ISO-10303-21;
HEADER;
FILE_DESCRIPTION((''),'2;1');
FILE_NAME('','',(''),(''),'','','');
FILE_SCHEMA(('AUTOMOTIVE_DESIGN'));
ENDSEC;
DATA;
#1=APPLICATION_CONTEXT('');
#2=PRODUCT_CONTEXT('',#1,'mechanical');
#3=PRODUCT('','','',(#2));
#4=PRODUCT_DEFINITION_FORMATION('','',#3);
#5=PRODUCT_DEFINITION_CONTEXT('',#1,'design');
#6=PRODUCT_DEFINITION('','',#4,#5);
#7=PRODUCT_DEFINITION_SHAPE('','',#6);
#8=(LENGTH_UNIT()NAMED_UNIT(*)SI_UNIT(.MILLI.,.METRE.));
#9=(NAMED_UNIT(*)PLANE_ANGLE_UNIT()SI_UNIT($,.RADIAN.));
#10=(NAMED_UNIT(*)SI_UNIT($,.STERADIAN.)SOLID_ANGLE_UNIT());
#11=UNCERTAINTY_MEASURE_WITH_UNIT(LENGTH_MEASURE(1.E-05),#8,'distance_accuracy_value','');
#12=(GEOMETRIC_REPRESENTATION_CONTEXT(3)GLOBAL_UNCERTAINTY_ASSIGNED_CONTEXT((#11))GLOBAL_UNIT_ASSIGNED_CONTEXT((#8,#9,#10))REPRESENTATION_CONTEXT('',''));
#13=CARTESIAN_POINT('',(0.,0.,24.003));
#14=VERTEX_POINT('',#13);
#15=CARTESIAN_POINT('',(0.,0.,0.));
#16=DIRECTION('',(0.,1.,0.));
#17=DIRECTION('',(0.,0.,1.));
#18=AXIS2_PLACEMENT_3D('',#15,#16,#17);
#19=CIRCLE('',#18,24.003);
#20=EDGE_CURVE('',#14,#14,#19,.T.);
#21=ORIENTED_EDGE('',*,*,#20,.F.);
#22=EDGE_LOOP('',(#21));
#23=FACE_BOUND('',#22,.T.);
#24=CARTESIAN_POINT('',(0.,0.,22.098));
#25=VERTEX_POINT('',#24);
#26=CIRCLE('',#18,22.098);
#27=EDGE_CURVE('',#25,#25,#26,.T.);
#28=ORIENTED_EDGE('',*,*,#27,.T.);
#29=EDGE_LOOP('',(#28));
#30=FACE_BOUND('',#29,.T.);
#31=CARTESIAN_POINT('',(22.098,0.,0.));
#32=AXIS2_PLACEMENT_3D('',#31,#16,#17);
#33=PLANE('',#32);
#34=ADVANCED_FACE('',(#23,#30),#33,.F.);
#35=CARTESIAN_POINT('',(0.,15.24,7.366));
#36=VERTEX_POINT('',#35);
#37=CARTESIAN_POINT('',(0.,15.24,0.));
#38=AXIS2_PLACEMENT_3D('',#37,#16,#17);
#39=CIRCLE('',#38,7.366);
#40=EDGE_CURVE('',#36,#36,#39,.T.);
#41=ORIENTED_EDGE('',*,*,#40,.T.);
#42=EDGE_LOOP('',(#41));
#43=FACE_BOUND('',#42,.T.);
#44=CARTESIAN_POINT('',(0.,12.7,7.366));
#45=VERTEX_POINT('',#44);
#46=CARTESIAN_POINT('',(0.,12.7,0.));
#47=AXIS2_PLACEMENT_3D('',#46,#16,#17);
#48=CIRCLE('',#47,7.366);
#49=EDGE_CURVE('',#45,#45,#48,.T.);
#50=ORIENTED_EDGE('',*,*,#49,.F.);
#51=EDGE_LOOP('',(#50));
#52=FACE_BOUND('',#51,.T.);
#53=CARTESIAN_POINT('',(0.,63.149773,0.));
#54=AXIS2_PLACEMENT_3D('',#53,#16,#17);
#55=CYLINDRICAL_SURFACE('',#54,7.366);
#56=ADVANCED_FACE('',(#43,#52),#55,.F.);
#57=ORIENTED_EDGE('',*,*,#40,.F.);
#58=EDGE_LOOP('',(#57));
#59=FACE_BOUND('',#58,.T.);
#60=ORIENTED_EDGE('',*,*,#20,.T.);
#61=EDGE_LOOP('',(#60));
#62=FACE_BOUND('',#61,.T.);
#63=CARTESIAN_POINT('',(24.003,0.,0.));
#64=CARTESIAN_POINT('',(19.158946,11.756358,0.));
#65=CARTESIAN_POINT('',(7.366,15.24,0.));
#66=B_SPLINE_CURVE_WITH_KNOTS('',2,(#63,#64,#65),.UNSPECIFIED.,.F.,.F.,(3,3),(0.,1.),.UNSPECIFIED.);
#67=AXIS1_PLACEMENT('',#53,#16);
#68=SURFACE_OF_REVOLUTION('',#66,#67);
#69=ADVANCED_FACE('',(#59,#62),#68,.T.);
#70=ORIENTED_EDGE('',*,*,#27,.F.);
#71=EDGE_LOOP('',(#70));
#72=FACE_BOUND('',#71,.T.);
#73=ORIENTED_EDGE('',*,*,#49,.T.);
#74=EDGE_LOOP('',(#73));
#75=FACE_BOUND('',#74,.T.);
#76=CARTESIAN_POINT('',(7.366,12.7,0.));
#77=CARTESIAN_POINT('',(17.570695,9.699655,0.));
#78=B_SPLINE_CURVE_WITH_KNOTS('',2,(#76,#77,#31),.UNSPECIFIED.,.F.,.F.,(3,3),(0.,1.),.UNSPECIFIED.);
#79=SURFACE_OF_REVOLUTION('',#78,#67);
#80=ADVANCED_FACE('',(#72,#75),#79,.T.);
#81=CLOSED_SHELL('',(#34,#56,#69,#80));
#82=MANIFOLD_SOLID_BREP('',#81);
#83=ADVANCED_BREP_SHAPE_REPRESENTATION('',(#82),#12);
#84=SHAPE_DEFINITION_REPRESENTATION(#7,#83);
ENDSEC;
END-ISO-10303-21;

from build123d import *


with BuildPart() as part:
    # Sketch1 → Revolve1 (revolve)
    with BuildSketch(Plane.XY):
        with BuildLine():
            Line((7.366, 15.24), (7.366, 12.7))
            add(Edge.make_bspline(
                [(7.366, 12.7), (17.570694572, 9.699654506), (22.098, 0)],
                knots=[0, 0, 0, 1, 1, 1], degree=2))
            Line((22.098, 0), (24.003, 0))
            add(Edge.make_bspline(
                [(7.366, 15.24), (19.158945818, 11.756358265), (24.003, 0)],
                knots=[0, 0, 0, 1, 1, 1], degree=2))
        make_face()
    revolve(axis=Axis((0, 63.149773353, 0), (0, -1, 0)))


solid = part.part
